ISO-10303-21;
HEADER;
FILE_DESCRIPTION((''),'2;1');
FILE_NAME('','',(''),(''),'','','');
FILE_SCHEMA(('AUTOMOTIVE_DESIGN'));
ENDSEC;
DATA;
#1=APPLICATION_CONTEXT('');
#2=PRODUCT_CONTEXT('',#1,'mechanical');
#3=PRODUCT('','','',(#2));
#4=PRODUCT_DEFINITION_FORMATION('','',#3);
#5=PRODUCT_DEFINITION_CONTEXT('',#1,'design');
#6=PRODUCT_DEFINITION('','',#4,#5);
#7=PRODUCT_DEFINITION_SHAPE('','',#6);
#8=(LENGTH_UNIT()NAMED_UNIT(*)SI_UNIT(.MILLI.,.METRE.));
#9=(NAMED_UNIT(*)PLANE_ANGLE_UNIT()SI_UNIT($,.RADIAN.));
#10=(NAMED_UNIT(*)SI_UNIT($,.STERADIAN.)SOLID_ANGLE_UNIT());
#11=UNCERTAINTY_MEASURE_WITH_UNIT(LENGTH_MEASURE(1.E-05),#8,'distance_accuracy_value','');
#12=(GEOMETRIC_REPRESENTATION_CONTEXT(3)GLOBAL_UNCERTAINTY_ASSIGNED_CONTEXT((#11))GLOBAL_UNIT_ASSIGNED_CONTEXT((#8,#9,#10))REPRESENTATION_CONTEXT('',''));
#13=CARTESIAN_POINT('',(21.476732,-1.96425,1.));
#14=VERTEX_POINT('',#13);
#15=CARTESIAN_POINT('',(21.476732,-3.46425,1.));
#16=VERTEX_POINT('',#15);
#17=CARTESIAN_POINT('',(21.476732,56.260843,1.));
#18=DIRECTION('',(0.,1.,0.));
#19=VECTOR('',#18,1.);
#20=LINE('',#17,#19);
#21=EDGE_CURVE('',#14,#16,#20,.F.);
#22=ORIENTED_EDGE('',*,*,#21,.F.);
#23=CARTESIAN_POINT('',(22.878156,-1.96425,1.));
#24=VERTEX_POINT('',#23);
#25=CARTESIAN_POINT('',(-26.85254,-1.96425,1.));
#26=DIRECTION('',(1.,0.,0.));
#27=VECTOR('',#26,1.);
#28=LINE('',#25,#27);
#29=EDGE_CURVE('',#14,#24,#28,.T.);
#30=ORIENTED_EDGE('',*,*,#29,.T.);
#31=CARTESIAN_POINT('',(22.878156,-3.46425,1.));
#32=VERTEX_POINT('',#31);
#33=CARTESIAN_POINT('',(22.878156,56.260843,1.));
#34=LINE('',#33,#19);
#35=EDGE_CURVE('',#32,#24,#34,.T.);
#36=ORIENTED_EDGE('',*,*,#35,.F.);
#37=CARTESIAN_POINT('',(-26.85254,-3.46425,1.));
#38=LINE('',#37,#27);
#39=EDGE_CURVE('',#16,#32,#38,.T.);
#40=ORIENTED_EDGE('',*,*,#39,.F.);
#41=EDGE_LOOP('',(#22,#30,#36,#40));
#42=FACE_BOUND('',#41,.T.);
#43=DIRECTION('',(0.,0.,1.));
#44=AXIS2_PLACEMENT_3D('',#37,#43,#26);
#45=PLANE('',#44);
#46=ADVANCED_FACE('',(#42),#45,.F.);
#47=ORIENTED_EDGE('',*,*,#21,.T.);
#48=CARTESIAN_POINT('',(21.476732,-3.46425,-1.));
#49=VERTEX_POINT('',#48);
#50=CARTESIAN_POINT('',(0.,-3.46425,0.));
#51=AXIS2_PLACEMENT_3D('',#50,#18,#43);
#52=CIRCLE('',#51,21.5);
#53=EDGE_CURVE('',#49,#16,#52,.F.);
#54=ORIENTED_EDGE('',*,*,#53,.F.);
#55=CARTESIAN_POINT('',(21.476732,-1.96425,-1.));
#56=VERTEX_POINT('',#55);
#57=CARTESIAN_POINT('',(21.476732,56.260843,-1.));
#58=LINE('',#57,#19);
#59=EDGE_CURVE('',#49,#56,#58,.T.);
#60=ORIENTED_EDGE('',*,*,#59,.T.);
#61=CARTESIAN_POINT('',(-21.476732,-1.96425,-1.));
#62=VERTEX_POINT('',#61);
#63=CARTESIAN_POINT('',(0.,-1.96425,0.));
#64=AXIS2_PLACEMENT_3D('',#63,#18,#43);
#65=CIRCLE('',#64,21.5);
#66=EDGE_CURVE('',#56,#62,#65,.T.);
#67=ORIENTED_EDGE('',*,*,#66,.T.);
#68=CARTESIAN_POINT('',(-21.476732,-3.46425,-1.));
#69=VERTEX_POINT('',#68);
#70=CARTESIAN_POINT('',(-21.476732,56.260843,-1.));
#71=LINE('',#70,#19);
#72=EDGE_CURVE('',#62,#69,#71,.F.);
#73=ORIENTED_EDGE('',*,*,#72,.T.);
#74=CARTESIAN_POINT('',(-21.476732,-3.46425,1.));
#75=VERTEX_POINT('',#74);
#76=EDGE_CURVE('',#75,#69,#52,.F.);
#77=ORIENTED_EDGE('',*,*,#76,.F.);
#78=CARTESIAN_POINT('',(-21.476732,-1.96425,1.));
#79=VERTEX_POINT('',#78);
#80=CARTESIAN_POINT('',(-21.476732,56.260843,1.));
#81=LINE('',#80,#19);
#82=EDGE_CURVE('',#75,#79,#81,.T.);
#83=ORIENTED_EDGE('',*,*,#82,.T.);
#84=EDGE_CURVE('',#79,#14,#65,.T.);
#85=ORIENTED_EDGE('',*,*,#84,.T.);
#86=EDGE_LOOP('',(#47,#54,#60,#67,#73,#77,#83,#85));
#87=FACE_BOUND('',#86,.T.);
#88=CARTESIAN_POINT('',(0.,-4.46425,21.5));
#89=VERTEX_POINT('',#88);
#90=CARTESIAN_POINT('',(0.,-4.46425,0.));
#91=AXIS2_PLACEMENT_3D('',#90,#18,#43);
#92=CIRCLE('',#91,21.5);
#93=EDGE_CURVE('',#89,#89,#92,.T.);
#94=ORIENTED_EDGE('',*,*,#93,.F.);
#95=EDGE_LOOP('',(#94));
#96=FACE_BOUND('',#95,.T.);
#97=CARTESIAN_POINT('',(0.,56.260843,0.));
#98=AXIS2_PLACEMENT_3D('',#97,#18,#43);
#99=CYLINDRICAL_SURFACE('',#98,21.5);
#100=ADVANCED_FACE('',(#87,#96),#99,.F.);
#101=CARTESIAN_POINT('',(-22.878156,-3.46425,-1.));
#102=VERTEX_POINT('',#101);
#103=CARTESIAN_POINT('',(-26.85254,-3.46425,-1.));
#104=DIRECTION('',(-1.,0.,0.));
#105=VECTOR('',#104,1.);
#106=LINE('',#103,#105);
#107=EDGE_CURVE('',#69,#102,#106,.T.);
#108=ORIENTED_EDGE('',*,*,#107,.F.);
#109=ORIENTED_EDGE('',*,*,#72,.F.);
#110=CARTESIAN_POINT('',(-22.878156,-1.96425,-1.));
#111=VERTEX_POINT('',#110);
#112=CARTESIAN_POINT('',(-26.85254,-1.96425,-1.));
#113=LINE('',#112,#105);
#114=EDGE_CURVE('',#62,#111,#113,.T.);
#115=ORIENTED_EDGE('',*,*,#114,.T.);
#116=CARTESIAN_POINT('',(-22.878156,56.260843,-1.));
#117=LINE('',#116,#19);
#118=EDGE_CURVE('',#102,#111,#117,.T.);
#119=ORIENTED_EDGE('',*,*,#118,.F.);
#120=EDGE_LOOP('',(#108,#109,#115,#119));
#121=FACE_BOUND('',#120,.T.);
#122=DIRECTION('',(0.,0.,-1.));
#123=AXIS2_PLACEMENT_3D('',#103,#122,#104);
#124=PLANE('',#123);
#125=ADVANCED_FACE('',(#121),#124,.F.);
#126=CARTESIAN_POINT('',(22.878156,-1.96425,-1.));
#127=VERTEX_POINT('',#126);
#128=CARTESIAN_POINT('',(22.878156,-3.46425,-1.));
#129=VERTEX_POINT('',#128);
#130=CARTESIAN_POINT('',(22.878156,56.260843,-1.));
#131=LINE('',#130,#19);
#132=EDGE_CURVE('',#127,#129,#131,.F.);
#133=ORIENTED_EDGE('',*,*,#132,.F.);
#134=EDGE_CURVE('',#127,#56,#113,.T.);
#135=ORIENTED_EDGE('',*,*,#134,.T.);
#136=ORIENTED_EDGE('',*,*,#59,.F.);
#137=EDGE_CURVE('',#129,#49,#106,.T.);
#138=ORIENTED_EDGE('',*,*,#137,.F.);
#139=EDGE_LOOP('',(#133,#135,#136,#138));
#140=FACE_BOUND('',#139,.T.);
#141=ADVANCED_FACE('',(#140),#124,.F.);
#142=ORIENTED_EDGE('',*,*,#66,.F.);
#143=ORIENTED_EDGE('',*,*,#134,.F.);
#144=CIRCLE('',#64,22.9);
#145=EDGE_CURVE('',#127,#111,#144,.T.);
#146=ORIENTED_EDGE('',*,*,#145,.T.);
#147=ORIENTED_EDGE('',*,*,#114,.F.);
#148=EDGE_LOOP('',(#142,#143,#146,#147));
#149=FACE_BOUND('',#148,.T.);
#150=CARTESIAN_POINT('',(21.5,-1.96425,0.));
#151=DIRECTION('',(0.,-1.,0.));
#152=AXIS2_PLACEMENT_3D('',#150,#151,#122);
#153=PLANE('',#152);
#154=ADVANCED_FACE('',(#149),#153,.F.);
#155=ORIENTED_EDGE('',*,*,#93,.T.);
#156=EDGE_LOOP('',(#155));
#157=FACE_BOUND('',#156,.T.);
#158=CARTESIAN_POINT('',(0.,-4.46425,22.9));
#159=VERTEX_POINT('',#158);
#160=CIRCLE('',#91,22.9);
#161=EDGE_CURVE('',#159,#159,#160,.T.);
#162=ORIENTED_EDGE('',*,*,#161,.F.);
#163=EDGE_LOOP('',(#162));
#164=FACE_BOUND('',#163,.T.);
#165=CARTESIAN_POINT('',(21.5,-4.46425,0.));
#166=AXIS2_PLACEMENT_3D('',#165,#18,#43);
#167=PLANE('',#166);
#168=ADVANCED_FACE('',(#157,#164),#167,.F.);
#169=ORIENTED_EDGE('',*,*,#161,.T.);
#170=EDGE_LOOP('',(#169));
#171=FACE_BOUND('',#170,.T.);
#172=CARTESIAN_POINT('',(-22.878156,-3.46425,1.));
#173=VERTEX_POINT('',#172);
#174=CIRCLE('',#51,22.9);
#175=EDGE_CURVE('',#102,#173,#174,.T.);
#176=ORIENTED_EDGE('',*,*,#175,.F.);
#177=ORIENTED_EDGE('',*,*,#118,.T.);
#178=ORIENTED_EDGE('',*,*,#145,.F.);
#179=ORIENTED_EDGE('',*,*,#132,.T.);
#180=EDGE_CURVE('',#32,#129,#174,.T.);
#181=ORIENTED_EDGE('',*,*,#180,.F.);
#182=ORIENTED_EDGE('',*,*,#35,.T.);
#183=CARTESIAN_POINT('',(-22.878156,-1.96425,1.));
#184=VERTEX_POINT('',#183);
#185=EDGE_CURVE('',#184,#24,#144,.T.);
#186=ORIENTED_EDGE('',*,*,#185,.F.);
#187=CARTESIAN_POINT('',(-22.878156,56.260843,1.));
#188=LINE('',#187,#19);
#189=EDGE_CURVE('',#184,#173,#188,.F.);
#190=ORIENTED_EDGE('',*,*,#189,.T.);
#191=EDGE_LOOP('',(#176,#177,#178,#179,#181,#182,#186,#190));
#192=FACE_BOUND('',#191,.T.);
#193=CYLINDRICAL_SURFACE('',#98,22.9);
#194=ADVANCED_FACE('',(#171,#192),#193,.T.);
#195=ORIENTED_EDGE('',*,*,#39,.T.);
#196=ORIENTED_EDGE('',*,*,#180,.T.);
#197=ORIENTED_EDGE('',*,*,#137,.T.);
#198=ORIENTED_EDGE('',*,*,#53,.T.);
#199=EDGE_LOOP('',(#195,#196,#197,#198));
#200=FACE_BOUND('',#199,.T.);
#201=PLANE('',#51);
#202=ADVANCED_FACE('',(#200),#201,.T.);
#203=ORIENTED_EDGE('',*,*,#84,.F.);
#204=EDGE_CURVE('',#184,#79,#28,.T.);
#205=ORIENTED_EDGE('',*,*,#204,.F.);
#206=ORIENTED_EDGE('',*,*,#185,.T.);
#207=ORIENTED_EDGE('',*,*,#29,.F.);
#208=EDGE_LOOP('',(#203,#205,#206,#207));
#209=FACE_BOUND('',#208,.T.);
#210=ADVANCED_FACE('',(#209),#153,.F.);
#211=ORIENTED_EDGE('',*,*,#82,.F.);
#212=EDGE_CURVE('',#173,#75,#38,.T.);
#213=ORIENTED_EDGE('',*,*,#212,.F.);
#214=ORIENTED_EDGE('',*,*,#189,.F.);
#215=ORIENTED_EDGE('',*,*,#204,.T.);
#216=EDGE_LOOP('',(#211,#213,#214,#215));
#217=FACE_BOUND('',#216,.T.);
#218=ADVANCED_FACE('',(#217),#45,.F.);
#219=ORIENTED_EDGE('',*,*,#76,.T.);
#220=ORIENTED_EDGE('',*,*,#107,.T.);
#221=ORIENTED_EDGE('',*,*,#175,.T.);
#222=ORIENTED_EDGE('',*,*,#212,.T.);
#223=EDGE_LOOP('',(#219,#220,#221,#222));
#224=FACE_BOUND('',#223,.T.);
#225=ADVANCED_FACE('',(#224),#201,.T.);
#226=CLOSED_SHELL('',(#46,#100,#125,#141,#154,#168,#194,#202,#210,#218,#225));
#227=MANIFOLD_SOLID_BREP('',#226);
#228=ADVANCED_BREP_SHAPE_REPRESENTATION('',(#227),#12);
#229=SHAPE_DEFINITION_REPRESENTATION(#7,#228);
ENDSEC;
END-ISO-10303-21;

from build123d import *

# Parameters (mm, degrees)
SKETCH_1_W          = 1.4
SKETCH_1_H          = 2.5
SKETCH_2_W          = 53.705080546
SKETCH_2_H          = 2
CUT_EXTRUDE_1_DEPTH = 1.5


with BuildPart() as part:
    # 草图1 → 旋转1 (revolve)
    with BuildSketch(Plane.XY, mode=Mode.PRIVATE) as revolve_1_sk:
        with Locations((22.2, -3.214249787)):
            Rectangle(SKETCH_1_W, SKETCH_1_H)
    revolve(revolve_1_sk.sketch.rotate(Axis((0, 56.260842627, 0), (0, -1, 0)), 90), axis=Axis((0, 56.260842627, 0), (0, -1, 0)))  # turned: the seam where the file's is

    # 草图2 → 切除-拉伸1 (cut)
    with BuildSketch(Plane(origin=(0, -1.964249787, 0), x_dir=(1, 0, 0), z_dir=(0, 1, 0))):
        Rectangle(SKETCH_2_W, SKETCH_2_H)
    extrude(amount=-CUT_EXTRUDE_1_DEPTH, mode=Mode.SUBTRACT)


solid = part.part
